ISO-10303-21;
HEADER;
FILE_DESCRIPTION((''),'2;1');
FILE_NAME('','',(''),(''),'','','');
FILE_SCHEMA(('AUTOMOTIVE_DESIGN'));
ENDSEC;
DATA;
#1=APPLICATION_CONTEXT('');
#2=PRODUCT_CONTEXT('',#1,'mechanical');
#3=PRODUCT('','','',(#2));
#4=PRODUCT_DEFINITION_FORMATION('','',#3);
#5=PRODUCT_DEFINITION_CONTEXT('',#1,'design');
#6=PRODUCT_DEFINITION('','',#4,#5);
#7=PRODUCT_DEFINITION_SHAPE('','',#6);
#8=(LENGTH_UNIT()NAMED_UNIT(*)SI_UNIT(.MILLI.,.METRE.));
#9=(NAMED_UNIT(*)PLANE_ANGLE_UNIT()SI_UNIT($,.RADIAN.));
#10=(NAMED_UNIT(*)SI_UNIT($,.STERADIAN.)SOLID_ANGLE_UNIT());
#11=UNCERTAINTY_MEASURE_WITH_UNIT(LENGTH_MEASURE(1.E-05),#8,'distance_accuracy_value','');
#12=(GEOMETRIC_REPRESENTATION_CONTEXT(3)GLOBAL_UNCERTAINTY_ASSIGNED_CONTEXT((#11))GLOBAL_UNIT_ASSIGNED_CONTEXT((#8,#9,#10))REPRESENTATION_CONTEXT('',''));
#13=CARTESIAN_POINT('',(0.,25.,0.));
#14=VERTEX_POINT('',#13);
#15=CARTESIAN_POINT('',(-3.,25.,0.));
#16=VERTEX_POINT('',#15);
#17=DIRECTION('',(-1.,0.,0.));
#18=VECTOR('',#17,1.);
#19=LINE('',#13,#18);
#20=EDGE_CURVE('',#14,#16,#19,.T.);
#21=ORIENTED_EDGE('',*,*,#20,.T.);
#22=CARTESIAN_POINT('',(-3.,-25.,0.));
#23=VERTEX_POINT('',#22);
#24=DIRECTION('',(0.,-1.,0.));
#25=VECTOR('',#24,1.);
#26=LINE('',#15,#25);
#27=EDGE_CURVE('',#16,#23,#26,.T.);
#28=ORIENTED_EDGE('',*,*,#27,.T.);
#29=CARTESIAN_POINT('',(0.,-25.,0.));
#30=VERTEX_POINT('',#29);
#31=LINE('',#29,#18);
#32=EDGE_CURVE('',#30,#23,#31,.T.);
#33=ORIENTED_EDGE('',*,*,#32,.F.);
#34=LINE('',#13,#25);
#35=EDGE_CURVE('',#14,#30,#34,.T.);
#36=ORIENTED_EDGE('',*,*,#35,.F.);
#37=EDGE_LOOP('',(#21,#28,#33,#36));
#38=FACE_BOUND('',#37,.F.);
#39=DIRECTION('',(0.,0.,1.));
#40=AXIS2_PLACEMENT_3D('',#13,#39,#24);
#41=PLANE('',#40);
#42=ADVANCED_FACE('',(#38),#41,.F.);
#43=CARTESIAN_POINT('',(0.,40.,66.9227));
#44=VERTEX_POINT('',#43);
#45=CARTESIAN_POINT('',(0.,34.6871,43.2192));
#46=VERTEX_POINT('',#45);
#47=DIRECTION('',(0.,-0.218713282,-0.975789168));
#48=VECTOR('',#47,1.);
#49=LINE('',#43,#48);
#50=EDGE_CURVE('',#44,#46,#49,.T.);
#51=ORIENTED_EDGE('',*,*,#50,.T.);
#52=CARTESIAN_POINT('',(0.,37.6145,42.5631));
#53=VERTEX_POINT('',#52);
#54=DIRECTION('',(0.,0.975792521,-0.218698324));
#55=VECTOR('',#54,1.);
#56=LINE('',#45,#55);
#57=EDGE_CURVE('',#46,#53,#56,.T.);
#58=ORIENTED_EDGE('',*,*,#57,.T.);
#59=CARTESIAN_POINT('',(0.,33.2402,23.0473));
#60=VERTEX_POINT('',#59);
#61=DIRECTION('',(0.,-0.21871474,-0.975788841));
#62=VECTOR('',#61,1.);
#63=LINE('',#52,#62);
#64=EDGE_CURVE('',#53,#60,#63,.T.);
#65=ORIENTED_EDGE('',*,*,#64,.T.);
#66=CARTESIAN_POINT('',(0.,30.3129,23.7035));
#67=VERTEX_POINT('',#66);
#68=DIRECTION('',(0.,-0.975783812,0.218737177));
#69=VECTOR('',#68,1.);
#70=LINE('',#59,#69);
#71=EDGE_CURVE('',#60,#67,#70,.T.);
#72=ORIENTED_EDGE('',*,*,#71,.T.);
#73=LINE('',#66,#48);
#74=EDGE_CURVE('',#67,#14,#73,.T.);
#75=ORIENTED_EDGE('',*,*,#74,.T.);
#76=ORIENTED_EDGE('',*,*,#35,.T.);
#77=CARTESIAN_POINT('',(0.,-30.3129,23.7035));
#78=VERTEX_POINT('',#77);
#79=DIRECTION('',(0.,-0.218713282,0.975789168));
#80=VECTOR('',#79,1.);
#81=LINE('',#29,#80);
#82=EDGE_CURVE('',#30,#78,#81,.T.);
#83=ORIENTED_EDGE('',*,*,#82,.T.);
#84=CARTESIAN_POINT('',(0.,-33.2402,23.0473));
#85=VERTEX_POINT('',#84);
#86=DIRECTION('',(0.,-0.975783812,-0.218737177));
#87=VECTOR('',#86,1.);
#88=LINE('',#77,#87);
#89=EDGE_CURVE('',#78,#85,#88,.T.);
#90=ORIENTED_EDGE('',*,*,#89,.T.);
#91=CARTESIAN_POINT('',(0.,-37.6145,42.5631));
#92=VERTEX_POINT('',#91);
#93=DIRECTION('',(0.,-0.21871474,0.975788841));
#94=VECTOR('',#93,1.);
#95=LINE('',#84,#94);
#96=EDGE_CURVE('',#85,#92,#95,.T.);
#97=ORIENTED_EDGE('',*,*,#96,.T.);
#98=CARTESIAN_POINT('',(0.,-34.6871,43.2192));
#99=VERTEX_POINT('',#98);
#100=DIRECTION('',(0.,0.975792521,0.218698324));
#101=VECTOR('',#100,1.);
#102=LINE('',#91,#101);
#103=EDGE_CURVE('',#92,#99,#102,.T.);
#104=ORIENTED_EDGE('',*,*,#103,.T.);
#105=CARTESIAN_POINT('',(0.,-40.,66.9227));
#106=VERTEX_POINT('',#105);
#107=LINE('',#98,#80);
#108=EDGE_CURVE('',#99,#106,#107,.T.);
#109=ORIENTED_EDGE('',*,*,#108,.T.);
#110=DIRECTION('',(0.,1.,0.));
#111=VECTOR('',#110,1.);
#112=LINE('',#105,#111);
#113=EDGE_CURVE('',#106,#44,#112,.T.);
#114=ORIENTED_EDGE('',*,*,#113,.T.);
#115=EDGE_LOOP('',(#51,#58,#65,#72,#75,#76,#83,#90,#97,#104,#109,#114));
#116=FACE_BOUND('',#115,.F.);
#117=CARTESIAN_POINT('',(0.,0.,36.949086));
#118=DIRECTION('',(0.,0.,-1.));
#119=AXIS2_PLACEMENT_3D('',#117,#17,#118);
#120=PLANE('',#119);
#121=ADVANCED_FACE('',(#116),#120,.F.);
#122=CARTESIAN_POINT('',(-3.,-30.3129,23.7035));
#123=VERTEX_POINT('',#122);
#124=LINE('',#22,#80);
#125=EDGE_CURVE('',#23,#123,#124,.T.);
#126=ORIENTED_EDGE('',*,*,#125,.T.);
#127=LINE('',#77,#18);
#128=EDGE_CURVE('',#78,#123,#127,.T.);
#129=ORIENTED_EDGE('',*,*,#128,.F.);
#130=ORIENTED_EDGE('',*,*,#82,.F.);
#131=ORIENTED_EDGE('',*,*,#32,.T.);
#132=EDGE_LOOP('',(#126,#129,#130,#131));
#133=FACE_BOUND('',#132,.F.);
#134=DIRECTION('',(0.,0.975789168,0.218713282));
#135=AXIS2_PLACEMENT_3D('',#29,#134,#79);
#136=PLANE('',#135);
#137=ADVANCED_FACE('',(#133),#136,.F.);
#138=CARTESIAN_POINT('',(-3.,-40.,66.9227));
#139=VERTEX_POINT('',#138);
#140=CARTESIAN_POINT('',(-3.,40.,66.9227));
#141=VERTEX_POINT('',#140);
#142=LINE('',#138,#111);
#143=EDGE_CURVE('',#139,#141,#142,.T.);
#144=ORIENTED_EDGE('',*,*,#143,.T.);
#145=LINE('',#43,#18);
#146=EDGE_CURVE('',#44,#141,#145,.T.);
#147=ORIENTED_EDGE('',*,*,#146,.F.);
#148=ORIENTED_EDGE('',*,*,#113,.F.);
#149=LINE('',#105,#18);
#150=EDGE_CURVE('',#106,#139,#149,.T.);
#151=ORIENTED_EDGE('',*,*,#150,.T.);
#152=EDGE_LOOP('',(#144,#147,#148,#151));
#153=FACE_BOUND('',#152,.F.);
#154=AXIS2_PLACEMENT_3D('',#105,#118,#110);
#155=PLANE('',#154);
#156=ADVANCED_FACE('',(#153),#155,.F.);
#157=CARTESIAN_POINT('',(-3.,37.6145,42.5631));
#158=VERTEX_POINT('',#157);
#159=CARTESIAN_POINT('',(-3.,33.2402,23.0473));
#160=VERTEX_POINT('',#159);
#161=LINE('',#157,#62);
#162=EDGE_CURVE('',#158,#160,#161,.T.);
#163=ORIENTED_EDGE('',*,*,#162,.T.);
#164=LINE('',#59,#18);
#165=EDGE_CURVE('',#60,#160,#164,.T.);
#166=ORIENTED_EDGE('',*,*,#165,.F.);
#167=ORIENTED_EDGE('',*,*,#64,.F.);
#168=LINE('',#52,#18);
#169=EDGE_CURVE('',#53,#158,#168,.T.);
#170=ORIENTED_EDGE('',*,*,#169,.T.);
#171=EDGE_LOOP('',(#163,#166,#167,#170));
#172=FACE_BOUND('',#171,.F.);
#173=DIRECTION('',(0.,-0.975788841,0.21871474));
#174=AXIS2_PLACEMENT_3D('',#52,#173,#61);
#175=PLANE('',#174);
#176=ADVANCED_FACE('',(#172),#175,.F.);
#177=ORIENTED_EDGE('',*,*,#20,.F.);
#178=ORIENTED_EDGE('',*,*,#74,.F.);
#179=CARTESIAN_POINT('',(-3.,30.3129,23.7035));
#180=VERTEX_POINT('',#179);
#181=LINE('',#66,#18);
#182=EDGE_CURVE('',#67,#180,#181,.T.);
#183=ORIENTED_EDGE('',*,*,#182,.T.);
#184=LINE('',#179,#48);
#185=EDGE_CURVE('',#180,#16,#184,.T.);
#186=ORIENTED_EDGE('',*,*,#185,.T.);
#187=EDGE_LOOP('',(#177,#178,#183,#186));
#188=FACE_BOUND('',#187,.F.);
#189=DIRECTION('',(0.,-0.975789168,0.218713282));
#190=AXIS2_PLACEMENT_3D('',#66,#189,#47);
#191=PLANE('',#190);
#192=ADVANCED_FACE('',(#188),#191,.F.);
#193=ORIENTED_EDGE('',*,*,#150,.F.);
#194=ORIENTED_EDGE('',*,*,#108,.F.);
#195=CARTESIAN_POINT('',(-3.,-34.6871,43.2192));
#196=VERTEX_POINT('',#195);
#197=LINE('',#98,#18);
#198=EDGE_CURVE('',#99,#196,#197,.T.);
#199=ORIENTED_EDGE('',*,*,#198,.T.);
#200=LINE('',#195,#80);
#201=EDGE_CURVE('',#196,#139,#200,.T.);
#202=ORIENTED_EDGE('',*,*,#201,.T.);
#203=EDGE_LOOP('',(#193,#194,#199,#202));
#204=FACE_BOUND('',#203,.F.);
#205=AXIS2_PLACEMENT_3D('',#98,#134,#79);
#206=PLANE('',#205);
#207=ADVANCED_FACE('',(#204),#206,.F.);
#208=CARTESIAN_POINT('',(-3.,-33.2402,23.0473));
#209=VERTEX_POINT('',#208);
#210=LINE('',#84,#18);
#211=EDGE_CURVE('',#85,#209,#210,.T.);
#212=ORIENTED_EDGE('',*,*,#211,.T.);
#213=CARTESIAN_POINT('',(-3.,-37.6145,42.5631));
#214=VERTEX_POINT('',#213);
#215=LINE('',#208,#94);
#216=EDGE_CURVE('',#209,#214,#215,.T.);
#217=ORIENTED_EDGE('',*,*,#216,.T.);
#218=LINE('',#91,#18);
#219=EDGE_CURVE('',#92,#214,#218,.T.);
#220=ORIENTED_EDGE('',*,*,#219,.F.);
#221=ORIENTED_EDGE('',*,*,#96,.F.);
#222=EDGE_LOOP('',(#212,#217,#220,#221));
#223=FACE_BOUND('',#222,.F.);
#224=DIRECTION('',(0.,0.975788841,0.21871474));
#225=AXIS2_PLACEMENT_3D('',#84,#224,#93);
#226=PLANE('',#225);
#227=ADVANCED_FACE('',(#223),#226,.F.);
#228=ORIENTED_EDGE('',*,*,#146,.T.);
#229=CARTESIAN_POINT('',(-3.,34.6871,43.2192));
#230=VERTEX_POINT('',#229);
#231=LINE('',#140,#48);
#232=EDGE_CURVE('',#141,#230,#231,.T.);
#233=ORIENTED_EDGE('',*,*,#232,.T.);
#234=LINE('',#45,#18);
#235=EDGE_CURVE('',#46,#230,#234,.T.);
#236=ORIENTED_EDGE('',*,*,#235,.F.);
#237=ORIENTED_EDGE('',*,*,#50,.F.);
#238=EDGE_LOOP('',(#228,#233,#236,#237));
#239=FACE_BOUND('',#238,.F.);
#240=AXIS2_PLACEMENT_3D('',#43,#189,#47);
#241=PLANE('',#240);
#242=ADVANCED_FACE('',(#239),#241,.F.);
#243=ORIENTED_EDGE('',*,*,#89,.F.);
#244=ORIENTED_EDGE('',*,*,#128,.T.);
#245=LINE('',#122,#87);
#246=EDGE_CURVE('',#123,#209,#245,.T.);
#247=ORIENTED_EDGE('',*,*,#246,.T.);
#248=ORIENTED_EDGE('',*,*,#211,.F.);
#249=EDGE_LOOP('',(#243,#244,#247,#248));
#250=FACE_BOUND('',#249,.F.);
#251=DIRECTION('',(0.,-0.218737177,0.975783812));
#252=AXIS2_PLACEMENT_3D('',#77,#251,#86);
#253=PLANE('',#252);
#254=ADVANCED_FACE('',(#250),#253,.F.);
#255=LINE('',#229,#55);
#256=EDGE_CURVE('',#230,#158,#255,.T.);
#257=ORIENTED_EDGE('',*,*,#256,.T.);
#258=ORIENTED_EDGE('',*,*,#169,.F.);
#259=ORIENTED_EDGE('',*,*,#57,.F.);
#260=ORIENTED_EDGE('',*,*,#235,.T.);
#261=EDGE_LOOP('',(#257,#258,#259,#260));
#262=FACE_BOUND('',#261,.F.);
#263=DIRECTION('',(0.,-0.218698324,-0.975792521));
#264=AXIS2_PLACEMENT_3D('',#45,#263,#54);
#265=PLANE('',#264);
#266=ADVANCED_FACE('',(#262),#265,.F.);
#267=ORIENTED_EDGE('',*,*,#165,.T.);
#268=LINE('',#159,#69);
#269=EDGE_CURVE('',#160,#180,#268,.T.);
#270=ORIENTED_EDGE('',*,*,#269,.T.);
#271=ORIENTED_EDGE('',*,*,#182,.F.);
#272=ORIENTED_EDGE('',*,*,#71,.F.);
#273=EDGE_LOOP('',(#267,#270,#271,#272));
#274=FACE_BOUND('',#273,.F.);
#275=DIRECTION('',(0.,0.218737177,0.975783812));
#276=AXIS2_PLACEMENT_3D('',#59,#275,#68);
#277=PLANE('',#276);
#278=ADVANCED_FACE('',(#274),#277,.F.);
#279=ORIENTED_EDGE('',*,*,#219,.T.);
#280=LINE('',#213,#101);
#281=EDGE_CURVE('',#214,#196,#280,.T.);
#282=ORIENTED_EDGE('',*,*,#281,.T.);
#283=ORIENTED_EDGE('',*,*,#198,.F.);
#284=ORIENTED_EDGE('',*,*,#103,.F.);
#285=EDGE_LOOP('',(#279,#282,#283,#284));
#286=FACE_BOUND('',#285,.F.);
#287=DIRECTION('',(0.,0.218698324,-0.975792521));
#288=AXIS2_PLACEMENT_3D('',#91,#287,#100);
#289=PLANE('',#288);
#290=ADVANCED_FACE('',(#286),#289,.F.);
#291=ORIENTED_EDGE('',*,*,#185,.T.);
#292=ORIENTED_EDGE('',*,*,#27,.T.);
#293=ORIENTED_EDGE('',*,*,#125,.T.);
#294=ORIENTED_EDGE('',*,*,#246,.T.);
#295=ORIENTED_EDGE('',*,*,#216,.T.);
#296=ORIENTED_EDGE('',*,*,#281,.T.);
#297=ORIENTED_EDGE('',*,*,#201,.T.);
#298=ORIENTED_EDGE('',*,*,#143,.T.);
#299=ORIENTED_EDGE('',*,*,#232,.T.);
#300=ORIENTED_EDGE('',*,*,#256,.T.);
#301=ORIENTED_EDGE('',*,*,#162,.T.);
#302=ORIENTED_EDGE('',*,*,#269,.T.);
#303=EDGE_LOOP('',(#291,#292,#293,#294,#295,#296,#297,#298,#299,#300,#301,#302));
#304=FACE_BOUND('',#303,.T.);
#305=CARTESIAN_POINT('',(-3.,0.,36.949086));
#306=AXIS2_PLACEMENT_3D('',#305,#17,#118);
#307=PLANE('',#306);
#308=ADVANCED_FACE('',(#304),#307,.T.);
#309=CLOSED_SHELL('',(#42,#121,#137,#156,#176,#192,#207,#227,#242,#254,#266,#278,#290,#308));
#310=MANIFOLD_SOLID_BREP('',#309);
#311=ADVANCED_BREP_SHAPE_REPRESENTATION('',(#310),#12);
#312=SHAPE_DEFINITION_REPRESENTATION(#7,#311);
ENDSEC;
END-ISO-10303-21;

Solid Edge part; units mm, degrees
sketch "Sketch1" plane through (0, 0, 0) normal (1, 0, 0) x (0, 1, 0)
  line L0 (40, 66.9227) -> (34.6871, 43.2192)
  line L1 (34.6871, 43.2192) -> (37.6145, 42.5631)
  line L2 (37.6145, 42.5631) -> (33.2402, 23.0473)
  line L3 (33.2402, 23.0473) -> (30.3129, 23.7035)
  line L4 (30.3129, 23.7035) -> (25, 0)
  line L5 (25, 0) -> (-25, 0)
  line L6 (-25, 0) -> (-30.3129, 23.7035)
  line L7 (-30.3129, 23.7035) -> (-33.2402, 23.0473)
  line L8 (-33.2402, 23.0473) -> (-37.6145, 42.5631)
  line L9 (-37.6145, 42.5631) -> (-34.6871, 43.2192)
  line L10 (-34.6871, 43.2192) -> (-40, 66.9227)
  line L11 (-40, 66.9227) -> (40, 66.9227)
  dimension "D1" = 80
  dimension "D2" = 50
  dimension "D3" = 3
  dimension "D4" = 20
  dimension "D5" = 24.2916
extrude "Protrusion1" add sketch "Sketch1" against normal blind 3
properties material "Acier"
